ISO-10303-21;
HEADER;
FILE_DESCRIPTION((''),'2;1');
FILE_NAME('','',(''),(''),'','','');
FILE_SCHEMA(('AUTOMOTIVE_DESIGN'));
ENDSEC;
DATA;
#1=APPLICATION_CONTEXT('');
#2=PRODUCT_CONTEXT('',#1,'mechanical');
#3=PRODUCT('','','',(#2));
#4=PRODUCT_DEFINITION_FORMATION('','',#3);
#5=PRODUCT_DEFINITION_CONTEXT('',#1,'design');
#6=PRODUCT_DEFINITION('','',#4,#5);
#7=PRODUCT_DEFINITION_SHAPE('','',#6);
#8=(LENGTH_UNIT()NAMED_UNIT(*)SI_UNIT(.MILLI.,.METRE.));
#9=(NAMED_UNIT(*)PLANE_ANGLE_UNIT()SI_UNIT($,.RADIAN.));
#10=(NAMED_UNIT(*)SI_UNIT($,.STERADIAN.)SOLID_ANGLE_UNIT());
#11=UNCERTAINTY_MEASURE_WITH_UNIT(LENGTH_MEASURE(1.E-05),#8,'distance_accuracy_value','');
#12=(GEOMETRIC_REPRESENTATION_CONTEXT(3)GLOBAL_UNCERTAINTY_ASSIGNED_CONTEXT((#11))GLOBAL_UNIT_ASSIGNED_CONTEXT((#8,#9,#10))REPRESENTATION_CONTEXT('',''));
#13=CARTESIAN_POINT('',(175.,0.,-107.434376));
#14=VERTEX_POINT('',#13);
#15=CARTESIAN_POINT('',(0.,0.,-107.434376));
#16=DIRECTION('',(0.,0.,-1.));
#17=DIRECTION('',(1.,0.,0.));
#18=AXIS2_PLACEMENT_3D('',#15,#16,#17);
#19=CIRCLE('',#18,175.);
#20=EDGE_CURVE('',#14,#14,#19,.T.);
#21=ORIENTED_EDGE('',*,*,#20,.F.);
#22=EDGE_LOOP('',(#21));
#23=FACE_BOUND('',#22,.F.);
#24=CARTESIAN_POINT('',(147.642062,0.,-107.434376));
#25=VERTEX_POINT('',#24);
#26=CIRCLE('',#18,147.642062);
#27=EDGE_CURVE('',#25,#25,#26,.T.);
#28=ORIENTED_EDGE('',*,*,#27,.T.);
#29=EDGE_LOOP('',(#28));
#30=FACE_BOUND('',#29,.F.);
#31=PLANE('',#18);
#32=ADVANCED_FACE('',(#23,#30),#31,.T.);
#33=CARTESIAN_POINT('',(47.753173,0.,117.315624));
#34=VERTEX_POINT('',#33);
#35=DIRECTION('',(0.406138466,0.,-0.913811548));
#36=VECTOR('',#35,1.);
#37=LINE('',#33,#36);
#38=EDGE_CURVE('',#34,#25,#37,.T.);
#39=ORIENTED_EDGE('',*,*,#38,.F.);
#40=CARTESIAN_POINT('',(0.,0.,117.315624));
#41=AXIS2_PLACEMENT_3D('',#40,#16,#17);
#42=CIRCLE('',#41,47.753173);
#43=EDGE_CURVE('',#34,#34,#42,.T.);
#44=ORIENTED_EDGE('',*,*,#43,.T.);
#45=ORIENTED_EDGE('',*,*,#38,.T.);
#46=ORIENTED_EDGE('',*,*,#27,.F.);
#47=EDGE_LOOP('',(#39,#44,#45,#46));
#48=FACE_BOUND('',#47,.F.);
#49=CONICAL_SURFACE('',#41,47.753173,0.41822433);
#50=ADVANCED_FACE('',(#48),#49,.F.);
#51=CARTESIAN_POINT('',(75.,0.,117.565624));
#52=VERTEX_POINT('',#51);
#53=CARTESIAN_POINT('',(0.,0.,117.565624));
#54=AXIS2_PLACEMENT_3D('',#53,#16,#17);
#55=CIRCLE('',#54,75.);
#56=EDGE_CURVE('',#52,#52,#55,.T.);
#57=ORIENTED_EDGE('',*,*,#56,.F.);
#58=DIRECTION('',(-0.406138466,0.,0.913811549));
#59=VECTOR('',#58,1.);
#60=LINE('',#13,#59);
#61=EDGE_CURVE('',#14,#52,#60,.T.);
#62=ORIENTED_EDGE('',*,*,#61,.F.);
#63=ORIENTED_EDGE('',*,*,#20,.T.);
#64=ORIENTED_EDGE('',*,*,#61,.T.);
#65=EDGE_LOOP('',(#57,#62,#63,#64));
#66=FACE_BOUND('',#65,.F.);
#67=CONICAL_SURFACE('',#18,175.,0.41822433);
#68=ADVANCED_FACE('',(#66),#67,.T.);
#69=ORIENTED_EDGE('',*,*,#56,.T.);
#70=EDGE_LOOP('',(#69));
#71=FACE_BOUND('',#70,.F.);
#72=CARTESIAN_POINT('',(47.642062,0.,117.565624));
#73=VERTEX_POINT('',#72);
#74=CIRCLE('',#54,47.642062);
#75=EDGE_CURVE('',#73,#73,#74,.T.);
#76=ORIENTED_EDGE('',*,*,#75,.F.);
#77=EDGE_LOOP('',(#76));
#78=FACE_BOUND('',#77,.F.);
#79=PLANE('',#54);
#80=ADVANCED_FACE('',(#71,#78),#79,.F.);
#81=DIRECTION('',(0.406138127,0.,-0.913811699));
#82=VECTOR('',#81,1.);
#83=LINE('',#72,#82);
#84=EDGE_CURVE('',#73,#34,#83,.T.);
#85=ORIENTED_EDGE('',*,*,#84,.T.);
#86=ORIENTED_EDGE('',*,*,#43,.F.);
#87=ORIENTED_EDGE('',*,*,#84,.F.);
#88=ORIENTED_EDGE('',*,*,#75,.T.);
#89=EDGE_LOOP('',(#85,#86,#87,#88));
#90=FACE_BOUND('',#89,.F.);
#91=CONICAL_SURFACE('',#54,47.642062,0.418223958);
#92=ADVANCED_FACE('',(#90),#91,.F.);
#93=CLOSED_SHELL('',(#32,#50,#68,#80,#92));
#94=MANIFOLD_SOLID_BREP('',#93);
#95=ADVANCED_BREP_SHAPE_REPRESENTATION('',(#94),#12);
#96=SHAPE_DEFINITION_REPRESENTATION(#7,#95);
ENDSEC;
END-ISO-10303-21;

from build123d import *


with BuildPart() as f1:
    # F0 (on Front) → F1 (revolve)
    with BuildSketch(Plane.XZ):
        Polygon((75, 117.565624), (47.642062, 117.565624), (47.753173, 117.315624), (74.837532, 117.315624), (174.726421, -107.434376), (175, -107.434376), align=None)
        Polygon((74.837532, 117.315624), (47.753173, 117.315624), (147.642062, -107.434376), (174.726421, -107.434376), align=None)
    revolve(axis=Axis((0, 0, 5.065624), (0, 0, -1)))


solid = f1.part
